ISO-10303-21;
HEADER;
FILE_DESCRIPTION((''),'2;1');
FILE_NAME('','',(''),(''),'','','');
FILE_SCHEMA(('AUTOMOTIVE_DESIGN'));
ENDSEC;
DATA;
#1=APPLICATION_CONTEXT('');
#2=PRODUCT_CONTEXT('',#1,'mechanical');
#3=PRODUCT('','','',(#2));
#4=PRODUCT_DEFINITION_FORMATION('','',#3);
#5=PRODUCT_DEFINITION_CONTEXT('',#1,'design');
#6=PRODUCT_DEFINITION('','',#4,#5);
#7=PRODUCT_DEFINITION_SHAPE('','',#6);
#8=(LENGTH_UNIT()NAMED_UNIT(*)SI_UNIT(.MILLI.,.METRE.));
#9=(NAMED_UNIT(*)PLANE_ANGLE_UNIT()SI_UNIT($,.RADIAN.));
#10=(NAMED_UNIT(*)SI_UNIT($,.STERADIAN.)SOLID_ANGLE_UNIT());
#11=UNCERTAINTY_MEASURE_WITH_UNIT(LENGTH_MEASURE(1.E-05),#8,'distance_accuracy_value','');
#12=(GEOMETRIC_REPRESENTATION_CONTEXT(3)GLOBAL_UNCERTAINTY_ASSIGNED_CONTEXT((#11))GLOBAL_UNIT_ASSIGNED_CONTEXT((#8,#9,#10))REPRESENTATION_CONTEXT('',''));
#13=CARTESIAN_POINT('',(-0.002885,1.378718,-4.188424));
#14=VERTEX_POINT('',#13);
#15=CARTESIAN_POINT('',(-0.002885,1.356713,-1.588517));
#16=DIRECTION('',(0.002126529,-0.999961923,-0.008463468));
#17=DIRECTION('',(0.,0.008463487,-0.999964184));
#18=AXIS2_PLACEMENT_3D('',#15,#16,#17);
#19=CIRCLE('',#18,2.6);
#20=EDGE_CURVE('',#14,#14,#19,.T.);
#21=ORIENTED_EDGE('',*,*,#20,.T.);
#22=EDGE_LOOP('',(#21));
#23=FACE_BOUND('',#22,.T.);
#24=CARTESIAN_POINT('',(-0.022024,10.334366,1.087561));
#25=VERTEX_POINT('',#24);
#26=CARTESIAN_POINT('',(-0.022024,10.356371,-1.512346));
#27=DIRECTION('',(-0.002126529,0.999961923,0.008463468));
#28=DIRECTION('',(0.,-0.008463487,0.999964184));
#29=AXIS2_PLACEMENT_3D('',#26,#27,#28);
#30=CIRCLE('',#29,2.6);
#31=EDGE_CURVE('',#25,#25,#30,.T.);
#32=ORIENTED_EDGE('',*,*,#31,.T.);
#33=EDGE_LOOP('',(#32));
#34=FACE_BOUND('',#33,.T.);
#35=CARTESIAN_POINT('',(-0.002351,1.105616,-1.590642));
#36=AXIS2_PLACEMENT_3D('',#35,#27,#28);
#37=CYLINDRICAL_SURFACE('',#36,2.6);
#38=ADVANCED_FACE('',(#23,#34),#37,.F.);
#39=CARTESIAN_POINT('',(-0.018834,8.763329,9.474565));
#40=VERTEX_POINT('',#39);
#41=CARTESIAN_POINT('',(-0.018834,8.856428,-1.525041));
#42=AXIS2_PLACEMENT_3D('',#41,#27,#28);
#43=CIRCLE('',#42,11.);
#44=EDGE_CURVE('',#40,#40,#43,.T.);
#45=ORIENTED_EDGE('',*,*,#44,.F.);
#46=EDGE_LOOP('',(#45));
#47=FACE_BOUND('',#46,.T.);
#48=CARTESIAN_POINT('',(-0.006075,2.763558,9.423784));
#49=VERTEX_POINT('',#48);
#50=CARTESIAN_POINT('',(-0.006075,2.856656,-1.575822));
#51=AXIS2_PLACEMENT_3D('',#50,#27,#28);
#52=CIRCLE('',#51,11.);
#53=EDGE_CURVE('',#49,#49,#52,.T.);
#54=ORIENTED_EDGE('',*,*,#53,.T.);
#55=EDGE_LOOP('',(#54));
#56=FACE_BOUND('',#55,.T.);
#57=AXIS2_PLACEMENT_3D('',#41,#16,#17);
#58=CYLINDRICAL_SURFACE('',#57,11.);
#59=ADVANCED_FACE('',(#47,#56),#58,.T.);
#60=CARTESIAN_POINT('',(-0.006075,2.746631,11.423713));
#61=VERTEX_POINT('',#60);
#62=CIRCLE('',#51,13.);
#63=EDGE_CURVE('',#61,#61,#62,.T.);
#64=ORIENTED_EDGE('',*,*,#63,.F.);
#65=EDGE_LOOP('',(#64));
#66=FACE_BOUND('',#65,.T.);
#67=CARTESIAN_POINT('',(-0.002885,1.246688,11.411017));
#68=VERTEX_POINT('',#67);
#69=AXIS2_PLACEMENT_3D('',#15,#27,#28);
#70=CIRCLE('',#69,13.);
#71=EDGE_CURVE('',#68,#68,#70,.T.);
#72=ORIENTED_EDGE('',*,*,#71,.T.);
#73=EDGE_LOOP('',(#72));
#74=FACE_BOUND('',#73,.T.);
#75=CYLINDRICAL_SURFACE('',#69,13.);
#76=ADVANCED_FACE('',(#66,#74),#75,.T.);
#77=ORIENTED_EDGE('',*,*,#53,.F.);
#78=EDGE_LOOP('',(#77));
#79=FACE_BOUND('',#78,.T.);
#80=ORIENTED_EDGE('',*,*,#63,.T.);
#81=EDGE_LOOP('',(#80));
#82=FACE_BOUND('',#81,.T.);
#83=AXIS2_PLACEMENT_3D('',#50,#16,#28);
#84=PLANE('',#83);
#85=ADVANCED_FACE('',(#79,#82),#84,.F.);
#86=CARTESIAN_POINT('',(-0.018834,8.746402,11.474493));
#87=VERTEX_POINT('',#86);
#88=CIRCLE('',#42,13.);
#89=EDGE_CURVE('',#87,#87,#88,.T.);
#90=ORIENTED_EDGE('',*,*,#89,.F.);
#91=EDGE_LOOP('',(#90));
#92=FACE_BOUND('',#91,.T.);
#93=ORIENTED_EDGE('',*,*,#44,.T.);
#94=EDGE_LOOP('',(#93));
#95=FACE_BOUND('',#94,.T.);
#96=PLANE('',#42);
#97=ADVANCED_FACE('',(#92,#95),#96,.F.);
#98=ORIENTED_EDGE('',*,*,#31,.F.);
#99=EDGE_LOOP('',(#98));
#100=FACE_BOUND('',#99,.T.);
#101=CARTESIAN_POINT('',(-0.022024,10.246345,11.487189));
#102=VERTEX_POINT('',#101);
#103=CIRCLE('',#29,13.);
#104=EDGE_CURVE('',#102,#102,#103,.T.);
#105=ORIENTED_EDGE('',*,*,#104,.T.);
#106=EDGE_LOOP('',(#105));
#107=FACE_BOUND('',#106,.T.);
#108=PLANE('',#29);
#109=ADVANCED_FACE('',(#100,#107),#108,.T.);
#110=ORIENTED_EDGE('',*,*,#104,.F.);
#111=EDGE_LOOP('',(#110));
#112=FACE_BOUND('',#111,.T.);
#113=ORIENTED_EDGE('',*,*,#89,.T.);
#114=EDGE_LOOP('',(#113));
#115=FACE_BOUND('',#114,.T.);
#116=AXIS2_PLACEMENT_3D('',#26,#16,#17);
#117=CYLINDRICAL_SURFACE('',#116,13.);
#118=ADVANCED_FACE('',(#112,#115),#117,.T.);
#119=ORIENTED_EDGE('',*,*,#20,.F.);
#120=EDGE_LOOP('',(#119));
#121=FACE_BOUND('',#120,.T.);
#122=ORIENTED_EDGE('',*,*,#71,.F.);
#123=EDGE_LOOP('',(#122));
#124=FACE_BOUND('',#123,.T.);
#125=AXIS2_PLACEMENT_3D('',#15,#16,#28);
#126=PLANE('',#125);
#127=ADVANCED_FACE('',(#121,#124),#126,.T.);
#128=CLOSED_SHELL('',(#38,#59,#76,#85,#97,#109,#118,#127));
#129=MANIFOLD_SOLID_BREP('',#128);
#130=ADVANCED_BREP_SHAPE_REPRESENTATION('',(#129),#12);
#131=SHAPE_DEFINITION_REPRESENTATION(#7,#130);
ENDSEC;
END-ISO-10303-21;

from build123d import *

# Parameters (mm, degrees)
SKETCH2_R           = 11
BOSS_EXTRUDE1_DEPTH = 6
SKETCH3_W           = 3.45
SKETCH3_H           = 3.45
CUT_EXTRUDE1_DEPTH  = 18.841034143
SKETCH4_R           = 13
BOSS_EXTRUDE2_DEPTH = 1.5
SKETCH5_W           = 3.45
SKETCH5_H           = 3.45
CUT_EXTRUDE2_DEPTH  = 22.625712586
SKETCH6_R           = 2.6
CUT_EXTRUDE3_DEPTH  = 22.625712586


with BuildPart() as part:
    # Sketch2 → Boss-Extrude1 (new body)
    with BuildSketch(Plane(origin=(-0.006046198, 2.843115255, 0.024063532), x_dir=(0.9999977389340391, 0.002126453123543878, 1.7997853821493017e-05), z_dir=(-0.00212652928721231, 0.9999619230641714, 0.008463468260412206))):
        with Locations(Location((-2.8797e-05, 1.599942694, 0), (0, 0, 270))):
            Circle(SKETCH2_R)
    extrude(amount=BOSS_EXTRUDE1_DEPTH)

    # Sketch3 → Cut-Extrude1 (cut, through all)
    with BuildSketch(Plane(origin=(-0.018805374, 8.842886793, 0.074844342), x_dir=(0.9999977389340391, 0.002126453123543878, 1.7997853821493024e-05), z_dir=(-0.00212652928721231, 0.9999619230641714, 0.00846346826041221))):
        with Locations((-2.8797e-05, 1.599942694)):
            Rectangle(SKETCH3_W, SKETCH3_H)
    extrude(amount=-CUT_EXTRUDE1_DEPTH, mode=Mode.SUBTRACT)

    # Sketch4 → Boss-Extrude2 (add)
    with BuildSketch(Plane(origin=(-0.018805374, 8.842886793, 0.074844342), x_dir=(0.9999977389340391, 0.002126453123543878, 1.7997853821493024e-05), z_dir=(-0.00212652928721231, 0.9999619230641714, 0.00846346826041221))):
        with Locations(Location((-2.8797e-05, 1.599942694, 0), (0, 0, 270))):
            Circle(SKETCH4_R)
    boss_extrude2 = extrude(amount=BOSS_EXTRUDE2_DEPTH)

    # Mirror1: Boss-Extrude2 across plane
    add(boss_extrude2.mirror(Plane(origin=(-0.012425786, 5.843001024, 0.049453937), x_dir=(1.79984577561216e-05, -0.008463449122581367, 0.9999641842111171), z_dir=(0.00212652928721231, -0.9999619230641714, -0.00846346826041221))))

    # Sketch5 → Cut-Extrude2 (cut, through all)
    with BuildSketch(Plane(origin=(-0.021995168, 10.342829678, 0.087539544), x_dir=(0.9999977389340391, 0.002126453123543878, 1.799785382149303e-05), z_dir=(-0.00212652928721231, 0.9999619230641714, 0.008463468260412213))):
        with Locations((-2.8797e-05, 1.599942694)):
            Rectangle(SKETCH5_W, SKETCH5_H)
    extrude(amount=-CUT_EXTRUDE2_DEPTH, mode=Mode.SUBTRACT)

    # Sketch6 → Cut-Extrude3 (cut, through all)
    with BuildSketch(Plane(origin=(-0.021995168, 10.342829678, 0.087539544), x_dir=(0.9999977389340391, 0.002126453123543878, 1.799785382149303e-05), z_dir=(-0.00212652928721231, 0.9999619230641714, 0.008463468260412213))):
        with Locations(Location((-2.8797e-05, 1.599942694, 0), (0, 0, 270))):
            Circle(SKETCH6_R)
    extrude(amount=-CUT_EXTRUDE3_DEPTH, mode=Mode.SUBTRACT)


solid = part.part
